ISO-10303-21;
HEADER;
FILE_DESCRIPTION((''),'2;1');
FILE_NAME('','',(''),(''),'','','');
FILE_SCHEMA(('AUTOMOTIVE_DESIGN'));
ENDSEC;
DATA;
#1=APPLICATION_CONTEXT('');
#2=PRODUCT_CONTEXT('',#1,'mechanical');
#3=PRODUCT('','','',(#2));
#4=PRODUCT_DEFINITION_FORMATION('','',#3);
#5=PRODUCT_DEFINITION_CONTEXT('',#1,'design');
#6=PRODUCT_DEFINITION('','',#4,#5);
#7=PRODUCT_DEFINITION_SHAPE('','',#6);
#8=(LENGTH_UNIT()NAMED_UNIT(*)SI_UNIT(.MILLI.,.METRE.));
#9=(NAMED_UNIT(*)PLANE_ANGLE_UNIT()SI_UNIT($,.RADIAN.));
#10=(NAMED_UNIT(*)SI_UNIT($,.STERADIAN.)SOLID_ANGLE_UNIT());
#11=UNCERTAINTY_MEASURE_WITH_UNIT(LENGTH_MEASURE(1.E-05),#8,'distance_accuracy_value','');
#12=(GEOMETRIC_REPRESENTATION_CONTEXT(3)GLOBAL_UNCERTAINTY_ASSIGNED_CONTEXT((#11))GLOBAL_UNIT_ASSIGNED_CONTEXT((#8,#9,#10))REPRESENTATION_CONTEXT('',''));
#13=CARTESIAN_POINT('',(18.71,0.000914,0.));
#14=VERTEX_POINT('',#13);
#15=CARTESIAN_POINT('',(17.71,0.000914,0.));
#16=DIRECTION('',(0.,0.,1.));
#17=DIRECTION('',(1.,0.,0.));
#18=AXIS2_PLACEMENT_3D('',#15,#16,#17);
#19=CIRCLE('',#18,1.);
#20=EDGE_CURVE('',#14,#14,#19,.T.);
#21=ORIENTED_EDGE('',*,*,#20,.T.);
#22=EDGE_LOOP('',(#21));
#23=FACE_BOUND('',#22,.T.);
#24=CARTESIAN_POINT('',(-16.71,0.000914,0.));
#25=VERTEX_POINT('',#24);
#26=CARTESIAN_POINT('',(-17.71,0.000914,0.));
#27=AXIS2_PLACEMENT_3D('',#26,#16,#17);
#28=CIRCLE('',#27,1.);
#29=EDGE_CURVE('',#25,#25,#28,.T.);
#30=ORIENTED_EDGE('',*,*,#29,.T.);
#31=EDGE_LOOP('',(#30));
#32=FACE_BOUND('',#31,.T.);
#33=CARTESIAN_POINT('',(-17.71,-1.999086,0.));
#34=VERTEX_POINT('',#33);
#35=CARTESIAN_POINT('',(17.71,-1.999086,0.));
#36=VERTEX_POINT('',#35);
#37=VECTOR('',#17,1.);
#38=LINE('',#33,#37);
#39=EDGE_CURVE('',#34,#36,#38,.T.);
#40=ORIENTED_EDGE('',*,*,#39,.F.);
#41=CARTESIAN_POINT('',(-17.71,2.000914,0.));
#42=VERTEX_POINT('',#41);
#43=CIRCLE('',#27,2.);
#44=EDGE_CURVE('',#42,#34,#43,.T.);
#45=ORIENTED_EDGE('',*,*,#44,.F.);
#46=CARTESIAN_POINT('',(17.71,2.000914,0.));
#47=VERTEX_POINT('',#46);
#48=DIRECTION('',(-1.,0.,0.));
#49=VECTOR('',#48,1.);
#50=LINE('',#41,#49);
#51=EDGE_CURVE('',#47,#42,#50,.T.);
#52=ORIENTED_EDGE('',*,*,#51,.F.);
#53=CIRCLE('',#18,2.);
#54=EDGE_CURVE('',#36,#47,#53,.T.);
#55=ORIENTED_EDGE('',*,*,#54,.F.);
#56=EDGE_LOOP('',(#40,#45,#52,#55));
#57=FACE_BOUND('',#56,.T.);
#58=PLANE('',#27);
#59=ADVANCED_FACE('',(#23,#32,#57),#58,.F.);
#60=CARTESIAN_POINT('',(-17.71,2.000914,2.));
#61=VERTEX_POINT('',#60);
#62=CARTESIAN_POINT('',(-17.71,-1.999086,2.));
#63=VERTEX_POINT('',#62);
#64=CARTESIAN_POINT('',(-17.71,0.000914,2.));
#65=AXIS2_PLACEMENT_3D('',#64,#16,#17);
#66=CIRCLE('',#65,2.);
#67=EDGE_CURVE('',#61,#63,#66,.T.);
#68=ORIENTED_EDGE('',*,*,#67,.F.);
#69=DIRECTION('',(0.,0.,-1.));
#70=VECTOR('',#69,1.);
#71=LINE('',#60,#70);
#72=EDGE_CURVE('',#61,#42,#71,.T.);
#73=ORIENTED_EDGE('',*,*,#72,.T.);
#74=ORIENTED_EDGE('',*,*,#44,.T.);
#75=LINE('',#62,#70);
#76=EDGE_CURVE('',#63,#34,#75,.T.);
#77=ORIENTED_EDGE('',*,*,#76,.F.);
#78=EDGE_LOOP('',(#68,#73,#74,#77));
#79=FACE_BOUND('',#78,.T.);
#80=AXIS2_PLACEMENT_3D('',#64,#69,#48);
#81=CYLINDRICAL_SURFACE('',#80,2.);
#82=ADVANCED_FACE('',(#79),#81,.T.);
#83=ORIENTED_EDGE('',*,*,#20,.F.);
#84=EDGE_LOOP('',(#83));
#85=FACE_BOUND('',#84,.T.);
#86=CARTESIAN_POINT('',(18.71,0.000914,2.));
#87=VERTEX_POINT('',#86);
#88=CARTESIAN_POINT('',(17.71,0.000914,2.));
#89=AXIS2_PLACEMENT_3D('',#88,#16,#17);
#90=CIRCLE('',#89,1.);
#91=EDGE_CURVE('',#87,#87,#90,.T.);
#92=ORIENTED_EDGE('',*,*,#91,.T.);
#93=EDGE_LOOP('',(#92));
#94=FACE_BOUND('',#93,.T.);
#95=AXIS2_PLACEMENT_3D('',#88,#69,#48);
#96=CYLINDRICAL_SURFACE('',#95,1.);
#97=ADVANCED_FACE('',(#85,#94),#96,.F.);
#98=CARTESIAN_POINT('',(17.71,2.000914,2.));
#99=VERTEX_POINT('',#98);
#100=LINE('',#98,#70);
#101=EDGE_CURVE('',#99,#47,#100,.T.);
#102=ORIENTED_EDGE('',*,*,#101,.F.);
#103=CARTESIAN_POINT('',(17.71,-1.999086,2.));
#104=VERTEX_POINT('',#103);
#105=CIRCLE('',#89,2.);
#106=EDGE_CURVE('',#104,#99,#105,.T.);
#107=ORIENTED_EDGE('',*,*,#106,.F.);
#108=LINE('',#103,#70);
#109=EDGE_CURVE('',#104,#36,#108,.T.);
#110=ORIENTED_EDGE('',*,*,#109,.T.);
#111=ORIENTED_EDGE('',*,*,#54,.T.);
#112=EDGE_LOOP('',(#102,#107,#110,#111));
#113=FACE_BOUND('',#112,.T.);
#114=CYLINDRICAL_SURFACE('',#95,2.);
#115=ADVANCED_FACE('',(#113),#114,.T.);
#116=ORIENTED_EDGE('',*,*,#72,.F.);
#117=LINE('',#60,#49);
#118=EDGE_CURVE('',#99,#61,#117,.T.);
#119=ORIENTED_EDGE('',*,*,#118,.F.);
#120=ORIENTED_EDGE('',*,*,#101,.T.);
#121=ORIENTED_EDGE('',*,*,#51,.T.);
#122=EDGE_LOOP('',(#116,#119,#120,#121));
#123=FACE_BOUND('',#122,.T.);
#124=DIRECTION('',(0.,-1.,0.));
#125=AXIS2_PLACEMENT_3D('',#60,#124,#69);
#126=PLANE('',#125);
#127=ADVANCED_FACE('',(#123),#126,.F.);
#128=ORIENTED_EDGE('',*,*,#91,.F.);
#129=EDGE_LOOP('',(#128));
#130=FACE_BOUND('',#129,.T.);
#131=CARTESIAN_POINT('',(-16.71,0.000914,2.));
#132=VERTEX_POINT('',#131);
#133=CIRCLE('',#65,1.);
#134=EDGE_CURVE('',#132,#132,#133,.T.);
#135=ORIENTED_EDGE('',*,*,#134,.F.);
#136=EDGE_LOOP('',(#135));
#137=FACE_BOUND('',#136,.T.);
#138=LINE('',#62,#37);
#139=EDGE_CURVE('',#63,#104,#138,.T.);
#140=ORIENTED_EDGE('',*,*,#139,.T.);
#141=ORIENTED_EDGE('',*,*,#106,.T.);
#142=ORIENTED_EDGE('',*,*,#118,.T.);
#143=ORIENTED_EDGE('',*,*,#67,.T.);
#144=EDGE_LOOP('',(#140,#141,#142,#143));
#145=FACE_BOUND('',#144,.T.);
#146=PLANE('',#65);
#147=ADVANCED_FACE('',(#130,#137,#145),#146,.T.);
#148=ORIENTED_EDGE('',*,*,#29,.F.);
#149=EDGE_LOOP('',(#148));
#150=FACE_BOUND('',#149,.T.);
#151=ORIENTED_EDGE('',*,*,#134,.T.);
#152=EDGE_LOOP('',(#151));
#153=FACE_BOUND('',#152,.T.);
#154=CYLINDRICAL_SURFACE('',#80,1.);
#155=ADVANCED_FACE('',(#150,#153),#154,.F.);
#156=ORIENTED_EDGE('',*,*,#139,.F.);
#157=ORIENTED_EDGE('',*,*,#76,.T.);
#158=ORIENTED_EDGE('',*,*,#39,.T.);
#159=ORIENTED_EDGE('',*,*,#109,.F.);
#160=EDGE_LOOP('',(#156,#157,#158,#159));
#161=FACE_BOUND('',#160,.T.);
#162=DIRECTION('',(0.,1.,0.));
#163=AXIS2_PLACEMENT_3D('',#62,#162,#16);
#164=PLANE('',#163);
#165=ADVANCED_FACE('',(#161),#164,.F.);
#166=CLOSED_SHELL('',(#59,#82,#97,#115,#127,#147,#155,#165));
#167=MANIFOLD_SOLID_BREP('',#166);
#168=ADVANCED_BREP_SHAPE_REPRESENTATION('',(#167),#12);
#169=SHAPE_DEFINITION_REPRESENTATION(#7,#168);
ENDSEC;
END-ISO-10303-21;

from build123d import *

# Parameters (mm, degrees)
SKETCH_1_R      = 1
EXTRUDE_1_DEPTH = 2


with BuildPart() as part:
    # 草圖1 → 填料-伸長1 (new body)
    with BuildSketch(Plane.XY):
        with BuildLine():
            Line((-17.709999976, 2.000913792), (17.710000024, 2.000913792))
            ThreePointArc((17.710000024, 2.000913792), (19.710000024, 0.000913792), (17.710000024, -1.999086208))
            Line((17.710000024, -1.999086208), (-17.709999976, -1.999086208))
            ThreePointArc((-17.709999976, -1.999086208), (-19.709999976, 0.000913792), (-17.709999976, 2.000913792))
        make_face()
        with Locations((-17.709999976, 0.000913792)):
            Circle(SKETCH_1_R, mode=Mode.SUBTRACT)
        with Locations((17.710000024, 0.000913792)):
            Circle(SKETCH_1_R, mode=Mode.SUBTRACT)
    extrude(amount=EXTRUDE_1_DEPTH)


solid = part.part
